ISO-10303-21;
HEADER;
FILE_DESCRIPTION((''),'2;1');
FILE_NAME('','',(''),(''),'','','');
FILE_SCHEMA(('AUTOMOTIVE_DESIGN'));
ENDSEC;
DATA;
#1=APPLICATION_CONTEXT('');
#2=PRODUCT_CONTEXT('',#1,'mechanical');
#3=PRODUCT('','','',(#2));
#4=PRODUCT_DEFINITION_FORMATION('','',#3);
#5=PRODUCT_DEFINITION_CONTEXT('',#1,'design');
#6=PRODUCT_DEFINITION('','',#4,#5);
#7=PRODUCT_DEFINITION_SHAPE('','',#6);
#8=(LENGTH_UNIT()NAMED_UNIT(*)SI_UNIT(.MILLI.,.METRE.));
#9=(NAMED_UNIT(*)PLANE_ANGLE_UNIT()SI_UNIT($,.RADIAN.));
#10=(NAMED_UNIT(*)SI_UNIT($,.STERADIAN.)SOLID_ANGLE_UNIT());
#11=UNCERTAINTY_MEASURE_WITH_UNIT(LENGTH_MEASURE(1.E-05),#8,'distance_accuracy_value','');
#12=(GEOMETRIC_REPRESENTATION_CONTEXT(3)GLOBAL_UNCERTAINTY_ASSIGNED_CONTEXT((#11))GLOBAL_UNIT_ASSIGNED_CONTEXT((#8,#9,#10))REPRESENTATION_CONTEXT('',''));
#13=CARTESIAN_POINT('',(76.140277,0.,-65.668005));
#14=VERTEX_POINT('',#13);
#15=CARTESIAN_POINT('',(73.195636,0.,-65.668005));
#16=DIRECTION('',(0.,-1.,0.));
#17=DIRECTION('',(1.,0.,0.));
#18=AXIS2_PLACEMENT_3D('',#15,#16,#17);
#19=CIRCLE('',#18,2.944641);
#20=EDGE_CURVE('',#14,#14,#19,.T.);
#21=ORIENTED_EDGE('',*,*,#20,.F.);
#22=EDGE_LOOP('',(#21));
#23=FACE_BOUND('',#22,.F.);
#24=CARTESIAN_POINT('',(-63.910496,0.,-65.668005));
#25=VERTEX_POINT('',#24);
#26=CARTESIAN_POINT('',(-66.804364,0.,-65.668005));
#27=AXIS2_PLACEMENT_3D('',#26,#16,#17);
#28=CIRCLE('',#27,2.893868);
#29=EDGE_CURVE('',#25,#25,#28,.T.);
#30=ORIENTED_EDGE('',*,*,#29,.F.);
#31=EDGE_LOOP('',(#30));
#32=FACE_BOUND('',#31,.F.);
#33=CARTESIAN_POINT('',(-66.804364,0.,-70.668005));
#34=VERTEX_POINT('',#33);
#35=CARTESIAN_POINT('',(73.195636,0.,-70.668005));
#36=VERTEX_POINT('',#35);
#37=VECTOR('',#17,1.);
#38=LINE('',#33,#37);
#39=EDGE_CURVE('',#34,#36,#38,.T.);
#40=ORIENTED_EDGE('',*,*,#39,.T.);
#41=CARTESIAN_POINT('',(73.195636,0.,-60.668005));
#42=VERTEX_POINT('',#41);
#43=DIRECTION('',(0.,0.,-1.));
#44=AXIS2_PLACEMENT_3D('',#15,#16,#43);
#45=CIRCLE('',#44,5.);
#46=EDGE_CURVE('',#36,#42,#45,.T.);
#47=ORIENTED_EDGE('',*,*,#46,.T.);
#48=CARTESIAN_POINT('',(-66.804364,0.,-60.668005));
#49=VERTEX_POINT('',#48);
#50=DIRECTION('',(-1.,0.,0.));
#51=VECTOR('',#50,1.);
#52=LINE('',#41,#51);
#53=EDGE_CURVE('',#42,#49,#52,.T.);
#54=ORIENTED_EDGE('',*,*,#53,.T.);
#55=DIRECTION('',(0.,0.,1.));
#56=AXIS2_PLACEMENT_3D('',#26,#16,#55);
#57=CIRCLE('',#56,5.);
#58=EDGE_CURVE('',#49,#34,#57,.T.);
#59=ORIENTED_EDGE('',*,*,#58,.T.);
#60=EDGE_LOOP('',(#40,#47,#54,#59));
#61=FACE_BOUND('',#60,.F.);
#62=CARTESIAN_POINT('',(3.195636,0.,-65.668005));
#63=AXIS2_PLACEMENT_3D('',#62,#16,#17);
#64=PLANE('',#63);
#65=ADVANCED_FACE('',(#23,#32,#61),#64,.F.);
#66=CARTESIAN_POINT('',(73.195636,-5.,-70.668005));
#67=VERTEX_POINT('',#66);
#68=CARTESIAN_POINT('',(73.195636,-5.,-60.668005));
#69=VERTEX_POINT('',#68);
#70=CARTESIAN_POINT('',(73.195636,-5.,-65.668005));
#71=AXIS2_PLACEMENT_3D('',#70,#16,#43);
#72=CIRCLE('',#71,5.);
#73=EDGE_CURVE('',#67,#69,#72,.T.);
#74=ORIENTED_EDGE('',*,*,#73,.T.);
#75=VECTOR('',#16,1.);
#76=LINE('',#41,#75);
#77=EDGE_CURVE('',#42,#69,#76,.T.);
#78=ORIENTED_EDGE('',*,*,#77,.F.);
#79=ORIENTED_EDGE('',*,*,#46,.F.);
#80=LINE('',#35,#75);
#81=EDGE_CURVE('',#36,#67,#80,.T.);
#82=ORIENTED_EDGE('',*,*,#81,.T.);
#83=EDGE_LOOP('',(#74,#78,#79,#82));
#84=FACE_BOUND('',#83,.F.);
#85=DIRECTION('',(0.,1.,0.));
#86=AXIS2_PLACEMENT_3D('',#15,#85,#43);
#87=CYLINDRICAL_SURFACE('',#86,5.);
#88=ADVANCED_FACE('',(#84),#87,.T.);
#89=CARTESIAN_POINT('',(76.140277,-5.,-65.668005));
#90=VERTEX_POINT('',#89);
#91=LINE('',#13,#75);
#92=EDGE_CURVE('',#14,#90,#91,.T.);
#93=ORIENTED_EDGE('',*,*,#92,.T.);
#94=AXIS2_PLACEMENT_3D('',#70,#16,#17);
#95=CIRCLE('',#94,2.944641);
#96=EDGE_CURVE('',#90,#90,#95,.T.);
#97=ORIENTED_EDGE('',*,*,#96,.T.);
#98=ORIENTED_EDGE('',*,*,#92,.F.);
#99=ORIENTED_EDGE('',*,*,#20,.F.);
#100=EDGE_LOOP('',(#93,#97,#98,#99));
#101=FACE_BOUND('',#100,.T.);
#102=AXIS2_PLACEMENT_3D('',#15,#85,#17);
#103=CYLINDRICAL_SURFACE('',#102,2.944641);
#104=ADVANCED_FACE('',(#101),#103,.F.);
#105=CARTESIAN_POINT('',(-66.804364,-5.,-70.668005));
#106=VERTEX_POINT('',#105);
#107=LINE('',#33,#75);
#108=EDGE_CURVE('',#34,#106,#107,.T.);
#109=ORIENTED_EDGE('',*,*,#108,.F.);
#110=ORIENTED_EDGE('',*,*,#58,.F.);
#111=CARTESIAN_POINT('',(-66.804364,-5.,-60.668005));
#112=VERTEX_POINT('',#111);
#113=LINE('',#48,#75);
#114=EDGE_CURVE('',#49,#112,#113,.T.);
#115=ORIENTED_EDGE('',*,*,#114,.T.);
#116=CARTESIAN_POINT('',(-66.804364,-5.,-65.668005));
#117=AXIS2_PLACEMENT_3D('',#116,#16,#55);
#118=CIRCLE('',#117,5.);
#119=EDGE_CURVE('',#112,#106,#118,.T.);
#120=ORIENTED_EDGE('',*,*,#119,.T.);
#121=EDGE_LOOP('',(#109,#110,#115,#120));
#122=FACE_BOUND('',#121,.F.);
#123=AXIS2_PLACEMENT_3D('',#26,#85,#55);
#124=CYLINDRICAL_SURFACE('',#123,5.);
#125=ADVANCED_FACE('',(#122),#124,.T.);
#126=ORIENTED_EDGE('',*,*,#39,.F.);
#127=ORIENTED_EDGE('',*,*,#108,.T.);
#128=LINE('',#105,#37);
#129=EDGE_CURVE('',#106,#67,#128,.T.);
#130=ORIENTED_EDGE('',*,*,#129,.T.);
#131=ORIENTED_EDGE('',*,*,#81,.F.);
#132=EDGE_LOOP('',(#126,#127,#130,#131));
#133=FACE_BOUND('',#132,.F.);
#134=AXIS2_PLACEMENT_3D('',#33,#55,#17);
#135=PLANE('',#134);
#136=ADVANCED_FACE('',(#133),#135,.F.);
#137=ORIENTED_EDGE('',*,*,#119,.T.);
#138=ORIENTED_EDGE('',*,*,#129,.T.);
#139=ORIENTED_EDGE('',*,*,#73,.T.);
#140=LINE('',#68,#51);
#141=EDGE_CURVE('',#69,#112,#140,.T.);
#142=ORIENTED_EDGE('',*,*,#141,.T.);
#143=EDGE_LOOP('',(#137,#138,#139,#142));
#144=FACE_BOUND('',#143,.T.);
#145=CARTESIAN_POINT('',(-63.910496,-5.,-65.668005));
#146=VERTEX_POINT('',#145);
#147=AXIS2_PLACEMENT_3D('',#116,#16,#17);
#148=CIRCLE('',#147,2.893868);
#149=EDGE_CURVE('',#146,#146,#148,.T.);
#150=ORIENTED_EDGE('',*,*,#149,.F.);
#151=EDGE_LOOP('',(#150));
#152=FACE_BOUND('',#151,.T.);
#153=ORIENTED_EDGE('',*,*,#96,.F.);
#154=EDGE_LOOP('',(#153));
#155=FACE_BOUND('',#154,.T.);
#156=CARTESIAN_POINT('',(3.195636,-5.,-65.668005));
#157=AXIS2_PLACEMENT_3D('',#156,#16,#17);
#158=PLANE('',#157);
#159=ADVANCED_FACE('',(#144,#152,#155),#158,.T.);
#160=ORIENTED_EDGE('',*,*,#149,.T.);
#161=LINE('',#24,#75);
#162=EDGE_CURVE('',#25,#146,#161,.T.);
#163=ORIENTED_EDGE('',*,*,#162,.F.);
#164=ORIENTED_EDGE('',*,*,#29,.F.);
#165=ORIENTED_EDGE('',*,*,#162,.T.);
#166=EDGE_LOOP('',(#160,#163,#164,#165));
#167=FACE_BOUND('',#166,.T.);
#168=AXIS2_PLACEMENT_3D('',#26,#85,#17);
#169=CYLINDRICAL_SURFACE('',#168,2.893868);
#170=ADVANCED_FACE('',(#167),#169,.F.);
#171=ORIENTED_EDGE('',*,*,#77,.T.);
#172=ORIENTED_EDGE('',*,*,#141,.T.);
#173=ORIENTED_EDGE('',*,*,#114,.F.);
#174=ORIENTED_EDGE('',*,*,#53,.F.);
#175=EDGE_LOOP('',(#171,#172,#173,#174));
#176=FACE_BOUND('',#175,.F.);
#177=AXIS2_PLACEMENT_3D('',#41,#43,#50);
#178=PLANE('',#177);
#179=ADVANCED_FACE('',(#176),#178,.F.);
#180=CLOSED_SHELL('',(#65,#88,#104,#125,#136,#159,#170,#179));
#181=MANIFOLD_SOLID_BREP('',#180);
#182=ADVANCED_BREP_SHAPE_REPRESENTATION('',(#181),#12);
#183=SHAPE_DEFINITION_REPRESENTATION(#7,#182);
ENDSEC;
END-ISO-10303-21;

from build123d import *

# Parameters (mm, degrees)
F0_R     = 2.893868
F0_R_2   = 2.944641
F1_DEPTH = 5
F2_R     = 6.542649
F3_DEPTH = 150


with BuildPart() as f1:
    # F0 (on Front) → F1 (new body)
    with BuildSketch(Plane.XZ):
        with BuildLine():
            ThreePointArc((-66.804364, -60.668005), (-71.804364, -65.668005), (-66.804364, -70.668005))
            Line((-66.804364, -70.668005), (73.195636, -70.668005))
            ThreePointArc((73.195636, -70.668005), (78.195636, -65.668005), (73.195636, -60.668005))
            Line((73.195636, -60.668005), (-66.804364, -60.668005))
        make_face()
        with Locations((-66.804364, -65.668005)):
            Circle(F0_R, mode=Mode.SUBTRACT)
        with Locations((73.195636, -65.668005)):
            Circle(F0_R_2, mode=Mode.SUBTRACT)
    extrude(amount=F1_DEPTH)


with BuildPart() as f3:
    # F2 (on Front) → F3 (new body)
    with BuildSketch(Plane.XZ):
        with Locations((-51.154699, 6.320113)):
            Circle(F2_R)
    extrude(amount=F3_DEPTH)


solid = f1.part
